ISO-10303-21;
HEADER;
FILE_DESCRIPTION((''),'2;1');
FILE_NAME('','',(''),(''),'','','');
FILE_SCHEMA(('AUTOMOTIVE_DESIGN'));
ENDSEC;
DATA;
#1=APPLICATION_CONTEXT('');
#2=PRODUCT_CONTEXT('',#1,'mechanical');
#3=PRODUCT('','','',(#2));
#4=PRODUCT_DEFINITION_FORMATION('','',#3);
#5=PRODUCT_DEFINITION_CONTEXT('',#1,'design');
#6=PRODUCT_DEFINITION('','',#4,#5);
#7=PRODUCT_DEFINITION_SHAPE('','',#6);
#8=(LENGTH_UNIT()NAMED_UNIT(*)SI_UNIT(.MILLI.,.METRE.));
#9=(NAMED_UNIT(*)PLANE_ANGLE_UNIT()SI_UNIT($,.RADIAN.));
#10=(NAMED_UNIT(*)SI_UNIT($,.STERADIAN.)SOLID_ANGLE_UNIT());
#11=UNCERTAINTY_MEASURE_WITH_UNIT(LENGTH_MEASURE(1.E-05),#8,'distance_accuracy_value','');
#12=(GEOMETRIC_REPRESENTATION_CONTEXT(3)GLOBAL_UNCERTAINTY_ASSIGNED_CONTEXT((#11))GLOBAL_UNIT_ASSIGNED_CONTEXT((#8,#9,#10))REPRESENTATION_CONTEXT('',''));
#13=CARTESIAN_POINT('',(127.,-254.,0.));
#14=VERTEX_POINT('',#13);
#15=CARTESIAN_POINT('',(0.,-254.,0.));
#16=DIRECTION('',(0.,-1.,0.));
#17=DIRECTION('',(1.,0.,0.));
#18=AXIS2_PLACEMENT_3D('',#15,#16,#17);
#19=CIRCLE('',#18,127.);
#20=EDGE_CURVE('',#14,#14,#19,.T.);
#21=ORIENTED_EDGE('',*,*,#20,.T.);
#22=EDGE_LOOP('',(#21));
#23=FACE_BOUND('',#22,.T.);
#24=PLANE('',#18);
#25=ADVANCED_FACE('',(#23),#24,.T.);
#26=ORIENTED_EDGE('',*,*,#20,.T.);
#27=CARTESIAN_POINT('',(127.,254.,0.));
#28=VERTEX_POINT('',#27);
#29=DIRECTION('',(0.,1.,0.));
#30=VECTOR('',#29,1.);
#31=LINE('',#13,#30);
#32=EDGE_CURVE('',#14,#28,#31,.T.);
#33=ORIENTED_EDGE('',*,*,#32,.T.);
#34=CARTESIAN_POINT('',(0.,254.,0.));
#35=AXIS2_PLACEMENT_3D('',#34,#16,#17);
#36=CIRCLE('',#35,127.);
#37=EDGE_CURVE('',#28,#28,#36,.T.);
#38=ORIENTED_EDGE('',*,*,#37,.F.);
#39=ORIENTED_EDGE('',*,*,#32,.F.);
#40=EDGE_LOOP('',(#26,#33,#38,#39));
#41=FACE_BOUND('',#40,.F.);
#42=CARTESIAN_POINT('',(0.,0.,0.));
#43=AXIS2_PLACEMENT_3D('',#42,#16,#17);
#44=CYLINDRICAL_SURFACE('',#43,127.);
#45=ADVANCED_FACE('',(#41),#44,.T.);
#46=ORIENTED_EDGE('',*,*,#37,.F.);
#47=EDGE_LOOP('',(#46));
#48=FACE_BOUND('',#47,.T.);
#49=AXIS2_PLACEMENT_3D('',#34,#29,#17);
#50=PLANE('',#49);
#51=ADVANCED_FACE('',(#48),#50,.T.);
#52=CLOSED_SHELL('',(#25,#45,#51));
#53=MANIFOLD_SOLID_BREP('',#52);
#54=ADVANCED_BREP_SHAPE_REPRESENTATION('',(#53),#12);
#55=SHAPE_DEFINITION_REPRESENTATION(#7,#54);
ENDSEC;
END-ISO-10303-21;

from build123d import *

# Parameters (mm, degrees)
F0_R      = 127
F1_DEPTH  = 254
F1_FACE_R = 127
F2_R      = 127
F3_DEPTH  = 254


with BuildPart() as f1:
    # F0 (on Front) → F1 (new body)
    with BuildSketch(Plane.XZ):
        Circle(F0_R)
    extrude(amount=F1_DEPTH)

    # F1_face (on face) + F2 (on face) → F3 (join)
    with BuildSketch(Plane(origin=(0, 0, 0), x_dir=(1, 0, 0), z_dir=(0, 1, 0))):
        Circle(F1_FACE_R)
    with BuildSketch(Plane(origin=(0, 0, 0), x_dir=(-1, 0, 0), z_dir=(0, 1, 0))):
        Circle(F2_R)
    extrude(amount=F3_DEPTH)


solid = f1.part
